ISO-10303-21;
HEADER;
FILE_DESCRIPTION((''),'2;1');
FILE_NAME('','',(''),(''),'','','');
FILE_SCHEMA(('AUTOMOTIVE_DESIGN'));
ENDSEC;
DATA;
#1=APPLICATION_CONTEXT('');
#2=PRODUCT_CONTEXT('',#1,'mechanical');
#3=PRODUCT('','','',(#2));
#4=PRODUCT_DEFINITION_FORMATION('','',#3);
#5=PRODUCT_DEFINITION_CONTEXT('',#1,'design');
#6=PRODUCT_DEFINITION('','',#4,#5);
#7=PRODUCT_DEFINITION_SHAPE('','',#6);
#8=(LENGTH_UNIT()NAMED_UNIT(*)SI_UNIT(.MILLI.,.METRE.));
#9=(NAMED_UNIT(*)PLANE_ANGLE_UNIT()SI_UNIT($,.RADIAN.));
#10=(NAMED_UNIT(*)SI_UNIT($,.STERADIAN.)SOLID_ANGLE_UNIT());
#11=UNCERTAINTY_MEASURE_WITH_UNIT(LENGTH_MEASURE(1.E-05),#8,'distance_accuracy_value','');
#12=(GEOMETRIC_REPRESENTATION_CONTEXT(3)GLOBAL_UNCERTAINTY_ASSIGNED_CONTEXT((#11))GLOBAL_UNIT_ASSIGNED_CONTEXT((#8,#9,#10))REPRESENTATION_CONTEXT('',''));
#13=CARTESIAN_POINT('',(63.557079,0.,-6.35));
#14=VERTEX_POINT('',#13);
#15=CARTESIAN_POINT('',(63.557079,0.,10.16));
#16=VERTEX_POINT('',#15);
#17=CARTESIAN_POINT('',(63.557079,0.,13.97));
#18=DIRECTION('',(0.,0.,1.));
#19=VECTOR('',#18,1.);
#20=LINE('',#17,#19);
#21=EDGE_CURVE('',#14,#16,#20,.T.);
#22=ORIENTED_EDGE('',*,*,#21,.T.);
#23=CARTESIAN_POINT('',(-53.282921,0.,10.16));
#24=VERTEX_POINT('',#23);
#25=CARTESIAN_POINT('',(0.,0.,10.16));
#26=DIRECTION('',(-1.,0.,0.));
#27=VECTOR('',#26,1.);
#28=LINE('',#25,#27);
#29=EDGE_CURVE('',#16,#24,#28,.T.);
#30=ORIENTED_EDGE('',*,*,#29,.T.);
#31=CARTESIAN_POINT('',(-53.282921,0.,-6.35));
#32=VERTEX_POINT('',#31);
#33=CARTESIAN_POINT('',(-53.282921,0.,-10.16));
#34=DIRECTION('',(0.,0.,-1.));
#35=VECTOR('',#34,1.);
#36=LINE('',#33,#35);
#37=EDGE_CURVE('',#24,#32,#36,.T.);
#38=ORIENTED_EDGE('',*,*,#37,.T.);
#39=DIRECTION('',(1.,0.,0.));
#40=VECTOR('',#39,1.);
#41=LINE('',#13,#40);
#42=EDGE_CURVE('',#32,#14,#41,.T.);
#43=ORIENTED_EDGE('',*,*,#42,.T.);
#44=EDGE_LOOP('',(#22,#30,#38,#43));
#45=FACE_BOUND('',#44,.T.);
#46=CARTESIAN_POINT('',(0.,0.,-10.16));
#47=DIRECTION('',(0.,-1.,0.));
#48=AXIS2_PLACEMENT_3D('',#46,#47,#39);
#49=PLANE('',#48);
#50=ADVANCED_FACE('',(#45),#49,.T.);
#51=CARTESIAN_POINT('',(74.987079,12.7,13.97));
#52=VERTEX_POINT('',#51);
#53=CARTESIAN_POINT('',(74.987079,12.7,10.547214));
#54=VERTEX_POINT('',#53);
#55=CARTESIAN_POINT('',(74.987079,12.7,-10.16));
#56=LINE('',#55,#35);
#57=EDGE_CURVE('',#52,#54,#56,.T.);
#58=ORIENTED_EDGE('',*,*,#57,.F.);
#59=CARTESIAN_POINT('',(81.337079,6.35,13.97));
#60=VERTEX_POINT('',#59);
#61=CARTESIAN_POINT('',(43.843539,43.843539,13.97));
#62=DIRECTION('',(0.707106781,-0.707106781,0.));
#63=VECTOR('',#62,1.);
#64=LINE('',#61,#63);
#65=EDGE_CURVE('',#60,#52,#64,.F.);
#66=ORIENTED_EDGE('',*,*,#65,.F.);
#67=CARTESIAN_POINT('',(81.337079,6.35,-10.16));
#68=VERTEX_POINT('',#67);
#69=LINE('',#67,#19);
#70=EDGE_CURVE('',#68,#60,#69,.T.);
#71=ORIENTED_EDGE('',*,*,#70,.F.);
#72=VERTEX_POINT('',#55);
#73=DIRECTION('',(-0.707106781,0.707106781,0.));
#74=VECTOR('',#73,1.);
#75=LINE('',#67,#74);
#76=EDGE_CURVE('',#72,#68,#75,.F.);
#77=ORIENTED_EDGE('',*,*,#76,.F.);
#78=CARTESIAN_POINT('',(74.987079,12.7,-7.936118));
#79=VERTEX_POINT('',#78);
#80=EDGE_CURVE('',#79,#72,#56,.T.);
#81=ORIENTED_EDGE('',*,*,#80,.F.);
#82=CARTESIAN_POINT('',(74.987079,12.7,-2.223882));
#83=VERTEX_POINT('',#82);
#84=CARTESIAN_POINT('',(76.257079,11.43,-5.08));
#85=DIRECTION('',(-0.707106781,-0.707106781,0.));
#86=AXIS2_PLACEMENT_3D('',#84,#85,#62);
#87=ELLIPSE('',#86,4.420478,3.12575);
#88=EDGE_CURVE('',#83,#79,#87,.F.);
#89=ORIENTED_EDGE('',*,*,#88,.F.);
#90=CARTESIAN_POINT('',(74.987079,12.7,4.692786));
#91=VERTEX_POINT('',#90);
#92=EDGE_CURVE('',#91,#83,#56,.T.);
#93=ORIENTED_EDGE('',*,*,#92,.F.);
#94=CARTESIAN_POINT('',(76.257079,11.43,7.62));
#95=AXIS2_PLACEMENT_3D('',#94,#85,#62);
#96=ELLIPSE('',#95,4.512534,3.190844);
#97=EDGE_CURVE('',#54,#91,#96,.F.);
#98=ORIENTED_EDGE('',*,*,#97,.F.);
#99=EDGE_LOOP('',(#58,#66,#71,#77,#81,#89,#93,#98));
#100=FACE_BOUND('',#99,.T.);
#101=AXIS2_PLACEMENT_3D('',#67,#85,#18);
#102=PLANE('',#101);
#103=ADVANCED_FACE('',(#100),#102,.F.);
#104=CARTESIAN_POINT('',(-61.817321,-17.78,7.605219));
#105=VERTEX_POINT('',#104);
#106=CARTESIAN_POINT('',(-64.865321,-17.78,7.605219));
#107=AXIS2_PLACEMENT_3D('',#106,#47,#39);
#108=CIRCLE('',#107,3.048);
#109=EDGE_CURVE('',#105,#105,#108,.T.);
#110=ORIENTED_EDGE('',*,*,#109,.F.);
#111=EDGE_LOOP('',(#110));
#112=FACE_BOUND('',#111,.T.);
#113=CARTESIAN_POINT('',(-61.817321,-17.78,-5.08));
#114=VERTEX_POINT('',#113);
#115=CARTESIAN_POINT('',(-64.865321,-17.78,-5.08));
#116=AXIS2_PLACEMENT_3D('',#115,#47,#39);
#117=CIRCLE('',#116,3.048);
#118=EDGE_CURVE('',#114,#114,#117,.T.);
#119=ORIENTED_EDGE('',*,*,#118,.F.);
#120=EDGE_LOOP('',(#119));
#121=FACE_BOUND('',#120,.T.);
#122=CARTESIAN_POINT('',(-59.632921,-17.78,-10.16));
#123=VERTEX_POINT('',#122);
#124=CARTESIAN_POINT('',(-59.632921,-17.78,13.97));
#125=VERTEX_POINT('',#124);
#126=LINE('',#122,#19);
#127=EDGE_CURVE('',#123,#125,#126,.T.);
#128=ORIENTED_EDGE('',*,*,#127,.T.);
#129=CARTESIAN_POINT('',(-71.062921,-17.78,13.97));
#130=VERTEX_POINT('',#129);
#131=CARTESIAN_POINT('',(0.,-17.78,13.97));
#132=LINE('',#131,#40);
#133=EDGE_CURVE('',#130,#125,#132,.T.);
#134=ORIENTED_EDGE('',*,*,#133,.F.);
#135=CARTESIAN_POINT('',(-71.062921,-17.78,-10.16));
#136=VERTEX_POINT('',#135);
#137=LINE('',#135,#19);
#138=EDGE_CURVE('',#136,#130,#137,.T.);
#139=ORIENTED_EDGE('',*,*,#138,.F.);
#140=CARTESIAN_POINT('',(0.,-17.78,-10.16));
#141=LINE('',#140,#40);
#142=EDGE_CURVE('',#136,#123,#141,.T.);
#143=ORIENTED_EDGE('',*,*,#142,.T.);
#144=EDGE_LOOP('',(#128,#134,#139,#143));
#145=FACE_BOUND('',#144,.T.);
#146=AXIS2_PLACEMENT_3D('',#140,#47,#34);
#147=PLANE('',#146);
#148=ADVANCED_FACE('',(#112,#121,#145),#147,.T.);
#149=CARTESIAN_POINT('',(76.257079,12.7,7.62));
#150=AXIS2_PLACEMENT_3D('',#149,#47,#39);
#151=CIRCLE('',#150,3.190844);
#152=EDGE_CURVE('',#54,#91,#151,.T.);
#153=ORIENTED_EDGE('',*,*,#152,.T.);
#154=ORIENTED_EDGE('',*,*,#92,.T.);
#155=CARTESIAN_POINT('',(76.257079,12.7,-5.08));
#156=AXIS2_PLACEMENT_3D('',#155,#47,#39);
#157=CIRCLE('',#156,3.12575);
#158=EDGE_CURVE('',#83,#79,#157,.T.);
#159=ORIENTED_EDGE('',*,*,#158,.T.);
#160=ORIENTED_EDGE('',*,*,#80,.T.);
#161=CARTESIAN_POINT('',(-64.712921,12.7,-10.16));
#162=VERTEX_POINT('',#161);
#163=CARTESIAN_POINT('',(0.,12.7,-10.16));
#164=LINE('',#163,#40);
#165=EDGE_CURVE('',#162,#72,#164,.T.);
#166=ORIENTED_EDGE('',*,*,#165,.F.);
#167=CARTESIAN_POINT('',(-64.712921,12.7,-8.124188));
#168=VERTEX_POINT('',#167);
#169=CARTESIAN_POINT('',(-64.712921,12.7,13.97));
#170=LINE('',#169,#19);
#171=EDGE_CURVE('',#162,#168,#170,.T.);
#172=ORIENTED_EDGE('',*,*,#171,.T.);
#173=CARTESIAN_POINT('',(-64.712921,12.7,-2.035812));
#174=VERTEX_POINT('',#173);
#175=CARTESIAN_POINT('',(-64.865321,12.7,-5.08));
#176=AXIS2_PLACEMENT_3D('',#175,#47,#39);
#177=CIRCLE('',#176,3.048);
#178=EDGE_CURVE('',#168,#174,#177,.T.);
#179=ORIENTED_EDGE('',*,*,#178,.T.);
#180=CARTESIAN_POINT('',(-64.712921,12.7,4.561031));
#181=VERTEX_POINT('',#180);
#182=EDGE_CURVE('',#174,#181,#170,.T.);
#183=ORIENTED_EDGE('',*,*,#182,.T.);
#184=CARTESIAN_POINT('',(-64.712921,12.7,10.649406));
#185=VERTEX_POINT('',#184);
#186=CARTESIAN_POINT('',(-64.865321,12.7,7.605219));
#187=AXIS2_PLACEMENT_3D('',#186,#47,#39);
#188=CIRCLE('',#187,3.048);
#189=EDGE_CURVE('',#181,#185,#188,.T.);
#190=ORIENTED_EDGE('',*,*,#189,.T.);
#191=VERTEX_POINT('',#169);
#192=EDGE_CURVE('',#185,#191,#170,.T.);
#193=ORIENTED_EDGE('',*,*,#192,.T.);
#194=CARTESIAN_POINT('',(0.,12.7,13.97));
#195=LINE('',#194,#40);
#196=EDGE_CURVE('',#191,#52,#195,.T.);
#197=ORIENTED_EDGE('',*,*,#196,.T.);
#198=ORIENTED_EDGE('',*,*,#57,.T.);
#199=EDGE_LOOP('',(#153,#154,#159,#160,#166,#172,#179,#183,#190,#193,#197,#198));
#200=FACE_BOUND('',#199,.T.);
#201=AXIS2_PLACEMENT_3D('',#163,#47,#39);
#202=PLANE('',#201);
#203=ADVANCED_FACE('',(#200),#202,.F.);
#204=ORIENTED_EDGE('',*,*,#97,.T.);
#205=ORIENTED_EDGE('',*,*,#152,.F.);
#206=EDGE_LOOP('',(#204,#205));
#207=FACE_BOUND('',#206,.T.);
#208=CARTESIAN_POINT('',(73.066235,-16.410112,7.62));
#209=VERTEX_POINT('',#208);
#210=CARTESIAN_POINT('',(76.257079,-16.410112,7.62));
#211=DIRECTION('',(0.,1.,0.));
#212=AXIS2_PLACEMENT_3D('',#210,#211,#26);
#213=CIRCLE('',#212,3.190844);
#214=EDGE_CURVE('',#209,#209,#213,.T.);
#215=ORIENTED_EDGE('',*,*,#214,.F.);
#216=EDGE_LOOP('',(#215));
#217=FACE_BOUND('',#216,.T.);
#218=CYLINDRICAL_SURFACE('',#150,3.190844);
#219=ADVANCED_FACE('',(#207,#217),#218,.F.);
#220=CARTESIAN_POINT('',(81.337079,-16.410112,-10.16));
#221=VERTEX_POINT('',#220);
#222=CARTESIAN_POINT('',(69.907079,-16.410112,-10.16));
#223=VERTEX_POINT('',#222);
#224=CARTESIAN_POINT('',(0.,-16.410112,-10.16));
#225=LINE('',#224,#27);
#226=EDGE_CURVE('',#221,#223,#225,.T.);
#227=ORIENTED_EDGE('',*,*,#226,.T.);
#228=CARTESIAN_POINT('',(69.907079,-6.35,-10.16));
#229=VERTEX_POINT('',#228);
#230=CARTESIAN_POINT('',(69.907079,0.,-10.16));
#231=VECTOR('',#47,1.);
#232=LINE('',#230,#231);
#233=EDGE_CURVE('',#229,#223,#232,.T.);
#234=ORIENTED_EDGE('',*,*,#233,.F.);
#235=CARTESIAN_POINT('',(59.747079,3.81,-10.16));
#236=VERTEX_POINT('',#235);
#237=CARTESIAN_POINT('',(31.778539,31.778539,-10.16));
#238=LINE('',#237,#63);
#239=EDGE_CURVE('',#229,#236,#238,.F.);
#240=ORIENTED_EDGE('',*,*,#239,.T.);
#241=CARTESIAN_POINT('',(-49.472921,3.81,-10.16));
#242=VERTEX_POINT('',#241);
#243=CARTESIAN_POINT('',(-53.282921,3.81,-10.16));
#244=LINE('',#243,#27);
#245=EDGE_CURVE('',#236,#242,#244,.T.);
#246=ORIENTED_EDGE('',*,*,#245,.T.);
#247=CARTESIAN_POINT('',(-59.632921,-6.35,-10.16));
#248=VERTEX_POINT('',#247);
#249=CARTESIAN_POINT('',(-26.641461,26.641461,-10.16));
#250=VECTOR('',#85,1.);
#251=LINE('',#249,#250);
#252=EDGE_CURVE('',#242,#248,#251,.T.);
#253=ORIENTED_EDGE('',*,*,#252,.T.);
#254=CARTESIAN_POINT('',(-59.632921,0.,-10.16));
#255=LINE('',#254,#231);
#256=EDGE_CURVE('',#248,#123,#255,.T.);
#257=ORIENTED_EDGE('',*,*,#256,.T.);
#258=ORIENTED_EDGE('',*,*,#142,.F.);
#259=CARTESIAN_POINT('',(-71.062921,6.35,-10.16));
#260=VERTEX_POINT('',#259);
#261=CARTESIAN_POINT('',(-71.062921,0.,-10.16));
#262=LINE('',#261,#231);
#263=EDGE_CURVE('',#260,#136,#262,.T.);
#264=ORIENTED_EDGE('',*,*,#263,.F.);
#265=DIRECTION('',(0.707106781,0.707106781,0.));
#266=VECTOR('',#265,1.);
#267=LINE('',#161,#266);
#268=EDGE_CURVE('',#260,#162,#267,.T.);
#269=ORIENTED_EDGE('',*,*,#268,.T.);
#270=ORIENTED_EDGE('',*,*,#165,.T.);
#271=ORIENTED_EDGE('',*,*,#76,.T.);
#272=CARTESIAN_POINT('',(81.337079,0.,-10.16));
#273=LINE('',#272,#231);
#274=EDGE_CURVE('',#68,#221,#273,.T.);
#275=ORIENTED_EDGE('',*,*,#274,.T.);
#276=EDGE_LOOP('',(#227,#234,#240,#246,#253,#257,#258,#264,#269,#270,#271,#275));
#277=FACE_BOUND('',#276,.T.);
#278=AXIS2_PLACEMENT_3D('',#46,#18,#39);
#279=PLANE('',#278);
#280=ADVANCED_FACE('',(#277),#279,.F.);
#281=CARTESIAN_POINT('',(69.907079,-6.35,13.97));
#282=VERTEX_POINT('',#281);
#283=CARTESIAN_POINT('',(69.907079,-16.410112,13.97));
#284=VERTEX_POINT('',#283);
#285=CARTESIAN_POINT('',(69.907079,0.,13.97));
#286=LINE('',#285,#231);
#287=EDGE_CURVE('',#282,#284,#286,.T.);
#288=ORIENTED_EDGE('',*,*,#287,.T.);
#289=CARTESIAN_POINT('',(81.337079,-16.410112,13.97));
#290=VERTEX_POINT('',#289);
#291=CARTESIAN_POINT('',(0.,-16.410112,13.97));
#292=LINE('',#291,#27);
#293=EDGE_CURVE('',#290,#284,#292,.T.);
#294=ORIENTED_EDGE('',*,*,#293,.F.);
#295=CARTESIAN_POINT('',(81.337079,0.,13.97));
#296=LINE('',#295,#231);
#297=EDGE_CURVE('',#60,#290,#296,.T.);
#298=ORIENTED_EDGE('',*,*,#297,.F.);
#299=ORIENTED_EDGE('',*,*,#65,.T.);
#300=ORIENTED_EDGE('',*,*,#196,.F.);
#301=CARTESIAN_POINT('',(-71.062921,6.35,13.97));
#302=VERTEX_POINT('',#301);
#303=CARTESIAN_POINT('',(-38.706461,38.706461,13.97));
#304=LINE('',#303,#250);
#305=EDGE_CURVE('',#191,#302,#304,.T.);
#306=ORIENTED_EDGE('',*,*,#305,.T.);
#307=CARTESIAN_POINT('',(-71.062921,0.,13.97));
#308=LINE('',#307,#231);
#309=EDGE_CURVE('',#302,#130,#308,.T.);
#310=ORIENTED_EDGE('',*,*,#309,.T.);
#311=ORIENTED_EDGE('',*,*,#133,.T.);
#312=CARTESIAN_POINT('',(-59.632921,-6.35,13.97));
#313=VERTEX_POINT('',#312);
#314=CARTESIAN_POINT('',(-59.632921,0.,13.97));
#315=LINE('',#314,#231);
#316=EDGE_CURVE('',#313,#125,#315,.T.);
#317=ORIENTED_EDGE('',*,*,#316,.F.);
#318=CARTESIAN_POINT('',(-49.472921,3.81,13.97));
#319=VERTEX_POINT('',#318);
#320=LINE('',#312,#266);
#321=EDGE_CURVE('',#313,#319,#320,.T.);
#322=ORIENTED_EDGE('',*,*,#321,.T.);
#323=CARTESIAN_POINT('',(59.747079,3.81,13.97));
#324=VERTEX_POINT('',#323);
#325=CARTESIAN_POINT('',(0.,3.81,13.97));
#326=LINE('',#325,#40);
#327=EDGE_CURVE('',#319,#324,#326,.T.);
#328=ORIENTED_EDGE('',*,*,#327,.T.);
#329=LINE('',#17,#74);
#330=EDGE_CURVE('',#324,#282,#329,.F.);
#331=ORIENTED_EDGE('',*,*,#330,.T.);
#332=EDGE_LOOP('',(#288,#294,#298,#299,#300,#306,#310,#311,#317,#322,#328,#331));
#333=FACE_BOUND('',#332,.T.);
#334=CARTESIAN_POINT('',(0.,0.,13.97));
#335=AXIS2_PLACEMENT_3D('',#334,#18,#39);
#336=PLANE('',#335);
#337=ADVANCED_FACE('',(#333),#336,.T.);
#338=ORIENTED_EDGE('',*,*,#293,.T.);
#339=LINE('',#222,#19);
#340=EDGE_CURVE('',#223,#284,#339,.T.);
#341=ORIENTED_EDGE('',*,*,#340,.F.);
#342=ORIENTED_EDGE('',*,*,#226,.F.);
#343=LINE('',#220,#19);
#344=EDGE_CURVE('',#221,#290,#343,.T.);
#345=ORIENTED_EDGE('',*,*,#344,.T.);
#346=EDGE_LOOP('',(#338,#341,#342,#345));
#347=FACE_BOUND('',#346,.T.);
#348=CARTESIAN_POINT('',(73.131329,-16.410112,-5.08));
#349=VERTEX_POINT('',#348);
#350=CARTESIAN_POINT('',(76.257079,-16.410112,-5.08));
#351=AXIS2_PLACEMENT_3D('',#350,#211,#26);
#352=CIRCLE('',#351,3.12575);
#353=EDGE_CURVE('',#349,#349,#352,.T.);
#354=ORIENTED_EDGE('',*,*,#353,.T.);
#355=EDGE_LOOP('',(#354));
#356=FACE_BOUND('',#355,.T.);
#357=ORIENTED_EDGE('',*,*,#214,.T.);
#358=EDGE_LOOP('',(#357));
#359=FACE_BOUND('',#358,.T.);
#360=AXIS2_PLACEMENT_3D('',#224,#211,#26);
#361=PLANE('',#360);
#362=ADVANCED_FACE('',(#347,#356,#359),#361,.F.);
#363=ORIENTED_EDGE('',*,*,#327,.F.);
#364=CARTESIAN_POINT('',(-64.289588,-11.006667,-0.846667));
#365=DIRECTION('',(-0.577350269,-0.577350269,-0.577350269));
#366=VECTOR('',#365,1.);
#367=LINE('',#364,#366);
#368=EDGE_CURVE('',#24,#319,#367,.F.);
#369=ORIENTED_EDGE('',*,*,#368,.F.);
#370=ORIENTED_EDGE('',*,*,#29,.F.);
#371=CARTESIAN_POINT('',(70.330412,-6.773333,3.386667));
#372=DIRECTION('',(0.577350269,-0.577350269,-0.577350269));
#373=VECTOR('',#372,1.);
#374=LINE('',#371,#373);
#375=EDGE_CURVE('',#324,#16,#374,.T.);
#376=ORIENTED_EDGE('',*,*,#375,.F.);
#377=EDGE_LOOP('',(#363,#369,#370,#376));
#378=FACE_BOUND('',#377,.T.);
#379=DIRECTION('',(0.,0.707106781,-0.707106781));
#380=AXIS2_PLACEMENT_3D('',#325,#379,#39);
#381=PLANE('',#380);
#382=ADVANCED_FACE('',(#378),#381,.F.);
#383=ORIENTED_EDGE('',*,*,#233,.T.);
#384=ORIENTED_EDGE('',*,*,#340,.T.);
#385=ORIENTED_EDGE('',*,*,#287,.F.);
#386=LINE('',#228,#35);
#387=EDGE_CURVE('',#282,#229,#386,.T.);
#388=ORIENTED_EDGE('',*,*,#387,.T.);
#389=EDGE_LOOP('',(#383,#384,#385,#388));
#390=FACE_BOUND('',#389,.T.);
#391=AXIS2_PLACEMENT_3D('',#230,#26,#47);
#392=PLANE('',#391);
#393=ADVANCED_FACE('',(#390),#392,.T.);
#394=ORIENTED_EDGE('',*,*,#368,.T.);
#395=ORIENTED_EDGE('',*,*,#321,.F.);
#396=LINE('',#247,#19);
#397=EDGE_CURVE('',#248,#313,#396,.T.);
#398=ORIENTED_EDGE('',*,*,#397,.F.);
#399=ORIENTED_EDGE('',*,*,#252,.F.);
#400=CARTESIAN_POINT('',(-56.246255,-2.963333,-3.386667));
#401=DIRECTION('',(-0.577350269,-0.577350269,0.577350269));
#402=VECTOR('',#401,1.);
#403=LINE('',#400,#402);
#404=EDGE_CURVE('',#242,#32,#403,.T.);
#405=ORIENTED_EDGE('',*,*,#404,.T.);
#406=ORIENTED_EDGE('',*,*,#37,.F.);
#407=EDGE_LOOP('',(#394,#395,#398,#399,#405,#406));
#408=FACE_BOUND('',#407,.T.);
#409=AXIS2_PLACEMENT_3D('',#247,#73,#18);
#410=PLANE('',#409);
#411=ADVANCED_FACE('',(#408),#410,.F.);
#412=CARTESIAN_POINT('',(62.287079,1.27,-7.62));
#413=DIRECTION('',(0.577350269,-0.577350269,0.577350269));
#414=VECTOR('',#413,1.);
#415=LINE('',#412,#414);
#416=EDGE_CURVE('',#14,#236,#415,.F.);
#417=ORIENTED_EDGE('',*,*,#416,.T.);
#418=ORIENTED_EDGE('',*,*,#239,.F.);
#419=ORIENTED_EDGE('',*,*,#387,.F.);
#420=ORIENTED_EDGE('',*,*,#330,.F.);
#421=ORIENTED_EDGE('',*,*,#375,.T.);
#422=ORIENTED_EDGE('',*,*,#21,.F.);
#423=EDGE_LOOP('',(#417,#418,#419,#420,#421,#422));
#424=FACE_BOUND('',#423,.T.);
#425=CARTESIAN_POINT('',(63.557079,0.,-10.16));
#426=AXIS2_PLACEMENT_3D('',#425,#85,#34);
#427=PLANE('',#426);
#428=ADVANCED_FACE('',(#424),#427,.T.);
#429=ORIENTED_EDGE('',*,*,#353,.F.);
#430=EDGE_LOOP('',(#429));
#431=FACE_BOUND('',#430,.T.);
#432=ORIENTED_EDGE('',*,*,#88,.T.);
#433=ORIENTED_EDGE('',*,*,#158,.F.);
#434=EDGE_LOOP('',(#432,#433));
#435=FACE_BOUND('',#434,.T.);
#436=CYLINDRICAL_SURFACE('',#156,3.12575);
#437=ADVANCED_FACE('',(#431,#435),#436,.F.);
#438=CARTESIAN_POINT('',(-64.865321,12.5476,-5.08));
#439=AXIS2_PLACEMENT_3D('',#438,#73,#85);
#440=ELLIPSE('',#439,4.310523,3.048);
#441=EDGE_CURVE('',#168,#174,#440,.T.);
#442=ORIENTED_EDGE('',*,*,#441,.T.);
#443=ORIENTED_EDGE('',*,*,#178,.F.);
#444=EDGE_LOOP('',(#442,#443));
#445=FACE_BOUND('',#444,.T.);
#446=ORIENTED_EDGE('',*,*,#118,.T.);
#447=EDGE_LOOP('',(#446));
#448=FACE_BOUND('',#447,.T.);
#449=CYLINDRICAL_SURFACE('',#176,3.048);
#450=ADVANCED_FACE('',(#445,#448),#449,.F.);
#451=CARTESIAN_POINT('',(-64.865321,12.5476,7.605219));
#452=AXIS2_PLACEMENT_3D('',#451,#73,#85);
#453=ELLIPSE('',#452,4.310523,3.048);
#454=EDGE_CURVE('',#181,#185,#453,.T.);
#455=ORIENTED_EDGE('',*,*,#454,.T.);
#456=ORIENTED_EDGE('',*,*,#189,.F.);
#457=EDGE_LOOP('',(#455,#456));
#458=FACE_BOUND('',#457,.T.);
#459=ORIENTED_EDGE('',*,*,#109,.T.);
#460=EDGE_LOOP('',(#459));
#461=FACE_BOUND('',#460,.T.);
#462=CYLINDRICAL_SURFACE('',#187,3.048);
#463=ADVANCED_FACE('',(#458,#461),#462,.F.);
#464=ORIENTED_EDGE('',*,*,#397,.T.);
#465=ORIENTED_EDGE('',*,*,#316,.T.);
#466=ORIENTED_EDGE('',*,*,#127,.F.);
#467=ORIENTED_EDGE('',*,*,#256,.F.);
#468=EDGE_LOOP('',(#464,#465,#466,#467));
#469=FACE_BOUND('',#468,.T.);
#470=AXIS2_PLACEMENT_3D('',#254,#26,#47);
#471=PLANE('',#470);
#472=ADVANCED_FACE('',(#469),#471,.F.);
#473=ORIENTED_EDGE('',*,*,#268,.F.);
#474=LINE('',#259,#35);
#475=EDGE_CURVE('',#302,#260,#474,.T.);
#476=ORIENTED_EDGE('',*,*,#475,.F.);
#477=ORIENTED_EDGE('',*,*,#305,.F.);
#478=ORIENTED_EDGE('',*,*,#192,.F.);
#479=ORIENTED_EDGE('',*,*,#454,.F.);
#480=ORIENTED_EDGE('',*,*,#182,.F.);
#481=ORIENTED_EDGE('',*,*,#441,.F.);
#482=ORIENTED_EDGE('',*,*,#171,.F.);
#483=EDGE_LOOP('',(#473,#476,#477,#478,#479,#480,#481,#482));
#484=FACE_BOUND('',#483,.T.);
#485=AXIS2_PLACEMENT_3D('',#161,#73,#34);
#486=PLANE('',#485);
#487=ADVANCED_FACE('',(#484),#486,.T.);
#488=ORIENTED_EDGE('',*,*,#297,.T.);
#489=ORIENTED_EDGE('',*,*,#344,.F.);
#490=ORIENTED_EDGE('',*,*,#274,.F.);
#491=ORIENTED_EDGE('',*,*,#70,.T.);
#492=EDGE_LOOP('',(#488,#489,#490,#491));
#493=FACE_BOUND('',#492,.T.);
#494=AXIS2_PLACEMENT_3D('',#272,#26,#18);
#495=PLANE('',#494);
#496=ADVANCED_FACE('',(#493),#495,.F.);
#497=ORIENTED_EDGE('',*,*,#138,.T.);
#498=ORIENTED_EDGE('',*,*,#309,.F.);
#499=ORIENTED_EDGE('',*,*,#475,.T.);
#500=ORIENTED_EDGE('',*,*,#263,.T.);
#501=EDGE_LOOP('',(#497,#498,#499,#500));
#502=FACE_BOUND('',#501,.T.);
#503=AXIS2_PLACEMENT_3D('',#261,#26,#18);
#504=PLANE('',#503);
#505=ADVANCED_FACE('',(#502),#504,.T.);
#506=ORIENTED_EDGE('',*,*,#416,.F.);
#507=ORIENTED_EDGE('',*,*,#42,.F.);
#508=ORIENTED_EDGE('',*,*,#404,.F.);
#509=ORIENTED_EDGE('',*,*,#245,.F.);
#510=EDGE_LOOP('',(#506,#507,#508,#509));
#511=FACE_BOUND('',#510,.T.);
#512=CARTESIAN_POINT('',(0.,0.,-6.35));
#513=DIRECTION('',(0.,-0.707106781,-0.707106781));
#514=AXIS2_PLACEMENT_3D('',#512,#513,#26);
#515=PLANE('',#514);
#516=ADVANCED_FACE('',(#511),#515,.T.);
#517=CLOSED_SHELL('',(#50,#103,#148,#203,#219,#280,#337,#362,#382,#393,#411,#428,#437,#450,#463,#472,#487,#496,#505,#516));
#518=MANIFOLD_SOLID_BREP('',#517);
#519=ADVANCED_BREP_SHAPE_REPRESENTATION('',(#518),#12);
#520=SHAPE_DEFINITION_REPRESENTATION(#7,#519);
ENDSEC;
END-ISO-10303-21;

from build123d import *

# Parameters (mm, degrees)
BOSS_EXTRUDE1_DEPTH      = 13.97
BOSS_EXTRUDE1_DEPTH_BACK = 10.16
CHAMFER1_SIZE            = 6.35
SKETCH2_R                = 3.048
SKETCH2_R_2              = 3.190843713
SKETCH2_R_3              = 3.125749827
CUT_EXTRUDE1_DEPTH       = 88.976767749
CHAMFER2_SIZE            = 3.81


with BuildPart() as part:
    # Sketch1 → Boss-Extrude1 (new, two sides: drawn at the far end of the back side and taken through both)
    with BuildSketch(Plane.XY.offset(-BOSS_EXTRUDE1_DEPTH_BACK)):
        Polygon((81.337078652, 12.7), (-71.062921348, 12.7), (-71.062921348, -17.78), (-59.632921348, -17.78), (-59.632921348, 0), (69.907078652, 0), (69.907078652, -16.41011236), (81.337078652, -16.41011236), align=None)
    extrude(amount=BOSS_EXTRUDE1_DEPTH + BOSS_EXTRUDE1_DEPTH_BACK)

    # Chamfer1
    chamfer1_edges = [part.edges().sort_by_distance(p)[0] for p in [
        (69.907078652, 0, 1.905),
        (-59.632921348, 0, 1.905),
        (-71.062921348, 12.7, 1.905),
        (81.337078652, 12.7, 1.905),
    ]]
    chamfer(chamfer1_edges, length=CHAMFER1_SIZE)

    # Sketch2 → Cut-Extrude1 (cut, through all)
    with BuildSketch(Plane.XZ.offset(17.78)):
        with Locations((-64.865321348, 7.605218814)):
            Circle(SKETCH2_R)
        with Locations((-64.865321348, -5.08)):
            Circle(SKETCH2_R)
        with Locations((76.257078652, 7.62)):
            Circle(SKETCH2_R_2)
        with Locations((76.257078652, -5.08)):
            Circle(SKETCH2_R_3)
    extrude(amount=-CUT_EXTRUDE1_DEPTH, mode=Mode.SUBTRACT)

    # Chamfer2
    chamfer2_edges = [part.edges().sort_by_distance(p)[0] for p in [
        (5.137078652, 0, -10.16),
        (5.137078652, 0, 13.97),
    ]]
    chamfer(chamfer2_edges, length=CHAMFER2_SIZE)


solid = part.part
